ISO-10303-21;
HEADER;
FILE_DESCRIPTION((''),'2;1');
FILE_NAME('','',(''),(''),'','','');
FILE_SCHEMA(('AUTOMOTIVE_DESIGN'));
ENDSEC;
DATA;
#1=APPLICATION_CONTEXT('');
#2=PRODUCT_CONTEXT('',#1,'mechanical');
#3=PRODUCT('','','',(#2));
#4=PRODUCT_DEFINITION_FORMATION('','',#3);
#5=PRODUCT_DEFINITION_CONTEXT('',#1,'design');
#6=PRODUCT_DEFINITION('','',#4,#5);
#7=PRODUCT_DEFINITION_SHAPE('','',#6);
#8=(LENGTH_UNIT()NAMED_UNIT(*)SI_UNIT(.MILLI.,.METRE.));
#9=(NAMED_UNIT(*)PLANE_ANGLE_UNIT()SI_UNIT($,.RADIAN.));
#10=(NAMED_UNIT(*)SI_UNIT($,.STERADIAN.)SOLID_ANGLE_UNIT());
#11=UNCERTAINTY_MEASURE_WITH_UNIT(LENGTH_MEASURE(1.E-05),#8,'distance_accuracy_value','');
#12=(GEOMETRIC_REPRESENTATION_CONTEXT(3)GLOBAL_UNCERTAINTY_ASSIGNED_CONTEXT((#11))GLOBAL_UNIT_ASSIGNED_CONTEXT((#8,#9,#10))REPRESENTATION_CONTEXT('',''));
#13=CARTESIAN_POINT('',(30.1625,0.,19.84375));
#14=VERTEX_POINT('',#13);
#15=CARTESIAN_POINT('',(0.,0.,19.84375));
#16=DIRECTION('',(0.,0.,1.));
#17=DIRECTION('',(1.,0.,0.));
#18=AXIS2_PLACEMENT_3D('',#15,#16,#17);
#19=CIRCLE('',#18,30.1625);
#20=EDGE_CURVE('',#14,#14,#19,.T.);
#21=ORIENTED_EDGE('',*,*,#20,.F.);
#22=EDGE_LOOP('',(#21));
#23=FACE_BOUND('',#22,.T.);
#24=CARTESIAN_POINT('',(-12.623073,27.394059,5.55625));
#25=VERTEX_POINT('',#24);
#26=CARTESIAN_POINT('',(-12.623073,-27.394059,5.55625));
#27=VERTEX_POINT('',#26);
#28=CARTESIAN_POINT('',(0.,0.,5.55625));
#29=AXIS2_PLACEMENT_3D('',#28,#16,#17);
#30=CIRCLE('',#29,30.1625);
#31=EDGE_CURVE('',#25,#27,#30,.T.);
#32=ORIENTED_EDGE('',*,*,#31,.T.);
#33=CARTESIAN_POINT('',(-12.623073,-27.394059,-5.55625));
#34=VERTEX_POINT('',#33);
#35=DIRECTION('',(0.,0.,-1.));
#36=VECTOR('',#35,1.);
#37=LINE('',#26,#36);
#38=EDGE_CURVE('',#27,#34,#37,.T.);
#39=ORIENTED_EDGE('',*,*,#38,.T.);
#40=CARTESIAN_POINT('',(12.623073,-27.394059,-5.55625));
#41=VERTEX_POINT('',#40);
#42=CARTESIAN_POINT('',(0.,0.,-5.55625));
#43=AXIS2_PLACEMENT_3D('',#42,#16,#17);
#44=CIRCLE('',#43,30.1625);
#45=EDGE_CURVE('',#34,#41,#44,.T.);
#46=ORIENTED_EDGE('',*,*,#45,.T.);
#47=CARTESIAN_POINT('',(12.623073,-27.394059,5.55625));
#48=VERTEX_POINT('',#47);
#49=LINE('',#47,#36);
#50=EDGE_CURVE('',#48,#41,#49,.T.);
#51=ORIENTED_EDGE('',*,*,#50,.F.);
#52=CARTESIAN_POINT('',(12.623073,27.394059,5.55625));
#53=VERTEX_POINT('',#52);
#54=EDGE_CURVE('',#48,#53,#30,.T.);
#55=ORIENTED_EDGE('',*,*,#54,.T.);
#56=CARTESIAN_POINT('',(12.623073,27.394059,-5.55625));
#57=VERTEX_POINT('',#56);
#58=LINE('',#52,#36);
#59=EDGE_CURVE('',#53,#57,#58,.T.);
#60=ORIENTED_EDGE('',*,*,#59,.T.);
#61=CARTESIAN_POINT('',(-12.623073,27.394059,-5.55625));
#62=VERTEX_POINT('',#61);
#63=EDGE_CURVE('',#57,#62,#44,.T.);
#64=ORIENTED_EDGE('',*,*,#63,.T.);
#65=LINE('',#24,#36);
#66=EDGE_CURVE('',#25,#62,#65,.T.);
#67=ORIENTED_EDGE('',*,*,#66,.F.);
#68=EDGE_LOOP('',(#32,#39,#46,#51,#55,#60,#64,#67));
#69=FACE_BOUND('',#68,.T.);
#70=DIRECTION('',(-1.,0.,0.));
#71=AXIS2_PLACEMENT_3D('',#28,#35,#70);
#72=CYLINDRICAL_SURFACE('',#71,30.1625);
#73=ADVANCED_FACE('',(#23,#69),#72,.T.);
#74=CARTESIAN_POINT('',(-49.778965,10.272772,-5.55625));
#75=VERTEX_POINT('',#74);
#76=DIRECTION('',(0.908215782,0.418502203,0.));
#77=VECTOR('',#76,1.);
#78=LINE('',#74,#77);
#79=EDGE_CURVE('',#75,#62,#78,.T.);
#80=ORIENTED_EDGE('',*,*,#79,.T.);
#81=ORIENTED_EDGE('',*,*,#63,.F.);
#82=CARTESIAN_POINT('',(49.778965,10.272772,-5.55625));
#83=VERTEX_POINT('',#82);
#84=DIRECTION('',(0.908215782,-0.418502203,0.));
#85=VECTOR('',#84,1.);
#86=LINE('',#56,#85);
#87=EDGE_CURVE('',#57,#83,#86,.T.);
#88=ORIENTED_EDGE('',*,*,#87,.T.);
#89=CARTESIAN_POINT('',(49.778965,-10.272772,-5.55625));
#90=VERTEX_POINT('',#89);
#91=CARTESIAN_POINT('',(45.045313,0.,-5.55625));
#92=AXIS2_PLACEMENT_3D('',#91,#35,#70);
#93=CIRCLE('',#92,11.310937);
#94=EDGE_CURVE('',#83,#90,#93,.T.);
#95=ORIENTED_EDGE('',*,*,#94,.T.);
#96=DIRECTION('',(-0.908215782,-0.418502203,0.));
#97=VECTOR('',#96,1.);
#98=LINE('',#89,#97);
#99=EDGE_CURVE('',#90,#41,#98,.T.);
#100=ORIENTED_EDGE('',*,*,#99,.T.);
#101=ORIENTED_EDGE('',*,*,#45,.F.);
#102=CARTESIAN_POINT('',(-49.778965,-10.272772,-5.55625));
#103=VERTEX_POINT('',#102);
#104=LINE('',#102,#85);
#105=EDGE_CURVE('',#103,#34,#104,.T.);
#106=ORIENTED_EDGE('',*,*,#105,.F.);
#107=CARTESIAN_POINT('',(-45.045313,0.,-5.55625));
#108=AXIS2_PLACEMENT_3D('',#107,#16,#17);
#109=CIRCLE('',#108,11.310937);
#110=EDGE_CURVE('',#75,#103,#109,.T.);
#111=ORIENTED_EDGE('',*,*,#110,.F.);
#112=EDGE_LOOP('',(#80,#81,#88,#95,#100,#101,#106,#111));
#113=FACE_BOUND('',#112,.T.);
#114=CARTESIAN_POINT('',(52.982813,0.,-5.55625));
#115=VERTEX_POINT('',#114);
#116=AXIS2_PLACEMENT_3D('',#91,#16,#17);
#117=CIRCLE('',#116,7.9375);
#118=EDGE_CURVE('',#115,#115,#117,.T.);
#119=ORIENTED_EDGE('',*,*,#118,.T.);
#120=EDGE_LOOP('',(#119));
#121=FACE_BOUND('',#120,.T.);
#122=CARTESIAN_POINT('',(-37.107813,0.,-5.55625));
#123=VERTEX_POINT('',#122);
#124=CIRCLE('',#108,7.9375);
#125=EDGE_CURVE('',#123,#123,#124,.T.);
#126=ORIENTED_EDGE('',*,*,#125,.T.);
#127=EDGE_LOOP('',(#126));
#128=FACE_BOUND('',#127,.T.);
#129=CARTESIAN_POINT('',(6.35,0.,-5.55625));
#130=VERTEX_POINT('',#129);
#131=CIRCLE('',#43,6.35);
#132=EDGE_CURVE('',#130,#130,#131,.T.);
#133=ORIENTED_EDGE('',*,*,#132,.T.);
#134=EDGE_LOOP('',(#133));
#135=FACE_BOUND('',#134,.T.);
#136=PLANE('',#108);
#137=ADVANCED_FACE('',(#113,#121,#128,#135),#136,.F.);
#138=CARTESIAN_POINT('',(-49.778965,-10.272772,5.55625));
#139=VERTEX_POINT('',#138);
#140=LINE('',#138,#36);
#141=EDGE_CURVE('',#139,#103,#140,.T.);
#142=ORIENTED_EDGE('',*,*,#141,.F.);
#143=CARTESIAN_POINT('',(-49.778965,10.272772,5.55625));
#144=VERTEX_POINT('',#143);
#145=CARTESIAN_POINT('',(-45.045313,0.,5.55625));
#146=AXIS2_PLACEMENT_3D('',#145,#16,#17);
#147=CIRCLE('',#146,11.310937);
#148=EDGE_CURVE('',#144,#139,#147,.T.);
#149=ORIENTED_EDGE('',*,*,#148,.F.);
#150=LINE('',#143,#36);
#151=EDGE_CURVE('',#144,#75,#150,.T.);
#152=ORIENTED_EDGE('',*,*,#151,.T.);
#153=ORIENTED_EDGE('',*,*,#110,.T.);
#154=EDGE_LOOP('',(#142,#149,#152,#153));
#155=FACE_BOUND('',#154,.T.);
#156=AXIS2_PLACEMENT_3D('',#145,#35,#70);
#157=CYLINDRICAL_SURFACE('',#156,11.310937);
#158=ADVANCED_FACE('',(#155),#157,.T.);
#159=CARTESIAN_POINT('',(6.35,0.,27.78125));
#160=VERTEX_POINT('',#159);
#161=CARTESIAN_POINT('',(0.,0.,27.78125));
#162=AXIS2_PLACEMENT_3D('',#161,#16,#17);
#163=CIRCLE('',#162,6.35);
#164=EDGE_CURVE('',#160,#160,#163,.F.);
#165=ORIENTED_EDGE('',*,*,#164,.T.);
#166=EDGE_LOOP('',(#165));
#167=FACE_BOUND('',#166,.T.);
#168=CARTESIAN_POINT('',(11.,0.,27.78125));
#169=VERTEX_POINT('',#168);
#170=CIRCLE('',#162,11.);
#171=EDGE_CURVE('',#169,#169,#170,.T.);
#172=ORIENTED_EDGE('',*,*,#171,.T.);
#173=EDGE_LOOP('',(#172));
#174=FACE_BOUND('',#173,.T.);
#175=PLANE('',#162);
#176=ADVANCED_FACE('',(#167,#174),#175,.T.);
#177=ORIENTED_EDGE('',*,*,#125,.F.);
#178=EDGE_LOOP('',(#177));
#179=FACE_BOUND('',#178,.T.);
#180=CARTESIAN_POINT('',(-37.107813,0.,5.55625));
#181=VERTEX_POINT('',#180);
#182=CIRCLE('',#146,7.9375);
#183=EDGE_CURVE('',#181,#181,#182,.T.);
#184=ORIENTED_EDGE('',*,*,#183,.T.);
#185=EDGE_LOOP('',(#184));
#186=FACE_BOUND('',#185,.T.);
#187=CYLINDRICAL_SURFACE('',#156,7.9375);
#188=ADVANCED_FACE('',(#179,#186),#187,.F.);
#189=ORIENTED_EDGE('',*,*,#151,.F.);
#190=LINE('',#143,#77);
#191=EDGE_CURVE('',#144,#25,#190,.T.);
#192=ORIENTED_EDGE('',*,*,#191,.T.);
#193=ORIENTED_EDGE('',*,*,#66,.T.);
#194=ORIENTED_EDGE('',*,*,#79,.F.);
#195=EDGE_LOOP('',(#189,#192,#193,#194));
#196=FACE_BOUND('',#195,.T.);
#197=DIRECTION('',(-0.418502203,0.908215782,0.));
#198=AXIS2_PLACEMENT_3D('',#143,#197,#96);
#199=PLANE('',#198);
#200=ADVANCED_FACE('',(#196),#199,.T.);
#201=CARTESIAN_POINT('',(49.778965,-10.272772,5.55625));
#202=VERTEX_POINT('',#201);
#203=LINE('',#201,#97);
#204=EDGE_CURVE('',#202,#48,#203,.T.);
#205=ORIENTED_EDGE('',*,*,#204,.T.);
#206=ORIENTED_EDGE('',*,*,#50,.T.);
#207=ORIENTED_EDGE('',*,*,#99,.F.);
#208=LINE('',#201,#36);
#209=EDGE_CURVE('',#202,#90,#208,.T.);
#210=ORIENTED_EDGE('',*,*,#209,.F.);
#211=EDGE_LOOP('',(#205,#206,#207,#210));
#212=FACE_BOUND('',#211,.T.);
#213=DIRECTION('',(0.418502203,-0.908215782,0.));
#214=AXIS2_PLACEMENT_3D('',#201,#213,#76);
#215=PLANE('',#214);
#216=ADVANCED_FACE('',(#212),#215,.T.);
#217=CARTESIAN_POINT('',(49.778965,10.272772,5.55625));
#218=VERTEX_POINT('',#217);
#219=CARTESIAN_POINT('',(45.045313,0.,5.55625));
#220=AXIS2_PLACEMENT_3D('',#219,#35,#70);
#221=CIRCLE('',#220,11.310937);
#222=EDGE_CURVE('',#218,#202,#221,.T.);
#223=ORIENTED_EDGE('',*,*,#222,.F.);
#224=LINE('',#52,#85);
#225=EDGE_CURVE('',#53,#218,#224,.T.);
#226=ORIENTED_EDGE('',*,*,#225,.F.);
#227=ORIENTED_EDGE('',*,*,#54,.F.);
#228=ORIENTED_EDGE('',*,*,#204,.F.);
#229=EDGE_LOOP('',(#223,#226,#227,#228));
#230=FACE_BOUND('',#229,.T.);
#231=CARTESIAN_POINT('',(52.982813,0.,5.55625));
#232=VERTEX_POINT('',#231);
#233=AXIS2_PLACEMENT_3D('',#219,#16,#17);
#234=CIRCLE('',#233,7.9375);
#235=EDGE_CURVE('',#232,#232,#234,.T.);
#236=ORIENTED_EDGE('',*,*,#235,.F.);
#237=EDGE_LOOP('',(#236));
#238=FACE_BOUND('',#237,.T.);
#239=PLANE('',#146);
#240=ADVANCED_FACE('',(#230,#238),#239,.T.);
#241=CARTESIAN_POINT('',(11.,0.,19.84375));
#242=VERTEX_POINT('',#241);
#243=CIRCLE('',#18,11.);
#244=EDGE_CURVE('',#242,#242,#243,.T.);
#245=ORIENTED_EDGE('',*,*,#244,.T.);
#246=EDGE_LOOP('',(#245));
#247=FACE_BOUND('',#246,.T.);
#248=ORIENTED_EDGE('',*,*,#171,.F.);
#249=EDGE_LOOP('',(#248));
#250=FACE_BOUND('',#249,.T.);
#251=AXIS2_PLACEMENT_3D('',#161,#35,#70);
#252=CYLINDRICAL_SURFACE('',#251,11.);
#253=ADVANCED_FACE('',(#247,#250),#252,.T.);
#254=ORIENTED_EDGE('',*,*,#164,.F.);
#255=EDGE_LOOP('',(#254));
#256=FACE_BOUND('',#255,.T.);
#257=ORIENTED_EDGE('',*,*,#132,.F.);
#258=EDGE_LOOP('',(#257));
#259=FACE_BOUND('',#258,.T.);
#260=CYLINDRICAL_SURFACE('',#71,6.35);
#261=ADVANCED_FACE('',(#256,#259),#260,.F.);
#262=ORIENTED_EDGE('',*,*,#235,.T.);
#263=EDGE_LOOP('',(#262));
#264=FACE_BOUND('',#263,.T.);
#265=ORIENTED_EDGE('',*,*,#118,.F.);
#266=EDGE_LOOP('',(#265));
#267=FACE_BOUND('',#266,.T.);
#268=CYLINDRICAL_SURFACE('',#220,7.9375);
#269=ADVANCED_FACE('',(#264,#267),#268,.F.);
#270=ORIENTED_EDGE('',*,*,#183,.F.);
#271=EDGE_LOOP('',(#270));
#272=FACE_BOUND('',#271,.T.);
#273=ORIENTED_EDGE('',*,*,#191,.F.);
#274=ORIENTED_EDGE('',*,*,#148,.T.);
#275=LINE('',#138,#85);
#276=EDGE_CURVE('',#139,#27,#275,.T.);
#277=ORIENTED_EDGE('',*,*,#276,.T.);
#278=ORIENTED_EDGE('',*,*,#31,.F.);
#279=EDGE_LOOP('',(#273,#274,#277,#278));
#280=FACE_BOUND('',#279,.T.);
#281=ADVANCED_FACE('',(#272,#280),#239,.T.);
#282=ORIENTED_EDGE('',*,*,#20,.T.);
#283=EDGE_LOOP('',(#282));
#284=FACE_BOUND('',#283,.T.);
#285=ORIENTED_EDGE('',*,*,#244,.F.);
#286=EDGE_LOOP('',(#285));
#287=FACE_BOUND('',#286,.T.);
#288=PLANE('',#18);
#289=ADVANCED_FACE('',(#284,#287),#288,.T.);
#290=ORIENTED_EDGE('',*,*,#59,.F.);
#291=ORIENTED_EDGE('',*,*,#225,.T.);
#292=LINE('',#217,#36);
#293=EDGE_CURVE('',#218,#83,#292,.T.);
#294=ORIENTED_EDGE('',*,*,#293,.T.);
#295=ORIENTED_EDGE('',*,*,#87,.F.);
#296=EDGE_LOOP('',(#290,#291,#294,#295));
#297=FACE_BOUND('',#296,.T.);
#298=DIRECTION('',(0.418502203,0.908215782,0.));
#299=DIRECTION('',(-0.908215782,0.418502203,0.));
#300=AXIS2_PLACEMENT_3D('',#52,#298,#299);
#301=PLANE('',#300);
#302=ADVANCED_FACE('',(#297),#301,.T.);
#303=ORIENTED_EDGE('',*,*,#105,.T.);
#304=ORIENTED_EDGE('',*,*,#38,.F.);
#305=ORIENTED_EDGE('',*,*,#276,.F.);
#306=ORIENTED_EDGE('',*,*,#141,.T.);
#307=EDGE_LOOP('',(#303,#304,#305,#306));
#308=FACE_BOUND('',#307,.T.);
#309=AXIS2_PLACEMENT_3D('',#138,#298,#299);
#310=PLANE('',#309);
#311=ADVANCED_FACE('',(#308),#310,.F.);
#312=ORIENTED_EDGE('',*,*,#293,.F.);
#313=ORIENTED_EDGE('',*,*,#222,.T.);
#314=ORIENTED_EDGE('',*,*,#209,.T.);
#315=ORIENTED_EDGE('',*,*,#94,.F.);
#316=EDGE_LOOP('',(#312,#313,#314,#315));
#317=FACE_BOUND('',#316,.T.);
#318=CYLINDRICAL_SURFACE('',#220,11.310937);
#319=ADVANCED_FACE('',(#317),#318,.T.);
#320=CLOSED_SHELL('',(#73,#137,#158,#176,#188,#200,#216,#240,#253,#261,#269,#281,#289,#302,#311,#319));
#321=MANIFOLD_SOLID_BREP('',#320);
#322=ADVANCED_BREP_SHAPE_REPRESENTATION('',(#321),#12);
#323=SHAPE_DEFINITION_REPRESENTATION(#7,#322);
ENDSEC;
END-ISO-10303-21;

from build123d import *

# Parameters (mm, degrees)
SKETCH1_R           = 7.9375
SKETCH1_R_2         = 6.35
BOSS_EXTRUDE1_DEPTH = 5.55625
BOSS_EXTRUDE2_START = 14.2875
SKETCH2_R           = 6.35
BOSS_EXTRUDE2_DEPTH = 14.2875
SKETCH3_R           = 11
SKETCH3_R_2         = 6.35
BOSS_EXTRUDE3_DEPTH = 7.9375


with BuildPart() as part:
    # Sketch1 → Boss-Extrude1 (new, symmetric)
    with BuildSketch(Plane.XY):
        with BuildLine():
            Line((-12.623072687, 27.39405852), (-49.778964758, 10.272771945))
            ThreePointArc((-49.778964758, 10.272771945), (-56.35625, 0), (-49.778964758, -10.272771945))
            Line((-49.778964758, -10.272771945), (-12.623072687, -27.39405852))
            ThreePointArc((-12.623072687, -27.39405852), (0, -30.1625), (12.623072687, -27.39405852))
            Line((12.623072687, -27.39405852), (49.778964758, -10.272771945))
            ThreePointArc((49.778964758, -10.272771945), (56.35625, 0), (49.778964758, 10.272771945))
            Line((49.778964758, 10.272771945), (12.623072687, 27.39405852))
            ThreePointArc((12.623072687, 27.39405852), (0, 30.1625), (-12.623072687, 27.39405852))
        make_face()
        with Locations((-45.0453125, 0)):
            Circle(SKETCH1_R, mode=Mode.SUBTRACT)
        Circle(SKETCH1_R_2, mode=Mode.SUBTRACT)
        with Locations((45.0453125, 0)):
            Circle(SKETCH1_R, mode=Mode.SUBTRACT)
    extrude(amount=BOSS_EXTRUDE1_DEPTH, both=True)

    # Sketch2 → Boss-Extrude2 (add)
    with BuildSketch(Plane.XY.offset(5.55625).offset(BOSS_EXTRUDE2_START)):
        with BuildLine():
            ThreePointArc((-12.623072687, 27.39405852), (-16.263962868, -25.401966815), (30.1625, 0))
            ThreePointArc((30.1625, 0), (25.401966815, 16.263962868), (12.623072687, 27.39405852))
            ThreePointArc((12.623072687, 27.39405852), (0, 30.1625), (-12.623072687, 27.39405852))
        make_face()
        Circle(SKETCH2_R, mode=Mode.SUBTRACT)
    extrude(amount=-BOSS_EXTRUDE2_DEPTH)

    # Sketch3 → Boss-Extrude3 (add)
    with BuildSketch(Plane.XY.offset(19.84375)):
        Circle(SKETCH3_R)
        Circle(SKETCH3_R_2, mode=Mode.SUBTRACT)
    extrude(amount=BOSS_EXTRUDE3_DEPTH)


solid = part.part
